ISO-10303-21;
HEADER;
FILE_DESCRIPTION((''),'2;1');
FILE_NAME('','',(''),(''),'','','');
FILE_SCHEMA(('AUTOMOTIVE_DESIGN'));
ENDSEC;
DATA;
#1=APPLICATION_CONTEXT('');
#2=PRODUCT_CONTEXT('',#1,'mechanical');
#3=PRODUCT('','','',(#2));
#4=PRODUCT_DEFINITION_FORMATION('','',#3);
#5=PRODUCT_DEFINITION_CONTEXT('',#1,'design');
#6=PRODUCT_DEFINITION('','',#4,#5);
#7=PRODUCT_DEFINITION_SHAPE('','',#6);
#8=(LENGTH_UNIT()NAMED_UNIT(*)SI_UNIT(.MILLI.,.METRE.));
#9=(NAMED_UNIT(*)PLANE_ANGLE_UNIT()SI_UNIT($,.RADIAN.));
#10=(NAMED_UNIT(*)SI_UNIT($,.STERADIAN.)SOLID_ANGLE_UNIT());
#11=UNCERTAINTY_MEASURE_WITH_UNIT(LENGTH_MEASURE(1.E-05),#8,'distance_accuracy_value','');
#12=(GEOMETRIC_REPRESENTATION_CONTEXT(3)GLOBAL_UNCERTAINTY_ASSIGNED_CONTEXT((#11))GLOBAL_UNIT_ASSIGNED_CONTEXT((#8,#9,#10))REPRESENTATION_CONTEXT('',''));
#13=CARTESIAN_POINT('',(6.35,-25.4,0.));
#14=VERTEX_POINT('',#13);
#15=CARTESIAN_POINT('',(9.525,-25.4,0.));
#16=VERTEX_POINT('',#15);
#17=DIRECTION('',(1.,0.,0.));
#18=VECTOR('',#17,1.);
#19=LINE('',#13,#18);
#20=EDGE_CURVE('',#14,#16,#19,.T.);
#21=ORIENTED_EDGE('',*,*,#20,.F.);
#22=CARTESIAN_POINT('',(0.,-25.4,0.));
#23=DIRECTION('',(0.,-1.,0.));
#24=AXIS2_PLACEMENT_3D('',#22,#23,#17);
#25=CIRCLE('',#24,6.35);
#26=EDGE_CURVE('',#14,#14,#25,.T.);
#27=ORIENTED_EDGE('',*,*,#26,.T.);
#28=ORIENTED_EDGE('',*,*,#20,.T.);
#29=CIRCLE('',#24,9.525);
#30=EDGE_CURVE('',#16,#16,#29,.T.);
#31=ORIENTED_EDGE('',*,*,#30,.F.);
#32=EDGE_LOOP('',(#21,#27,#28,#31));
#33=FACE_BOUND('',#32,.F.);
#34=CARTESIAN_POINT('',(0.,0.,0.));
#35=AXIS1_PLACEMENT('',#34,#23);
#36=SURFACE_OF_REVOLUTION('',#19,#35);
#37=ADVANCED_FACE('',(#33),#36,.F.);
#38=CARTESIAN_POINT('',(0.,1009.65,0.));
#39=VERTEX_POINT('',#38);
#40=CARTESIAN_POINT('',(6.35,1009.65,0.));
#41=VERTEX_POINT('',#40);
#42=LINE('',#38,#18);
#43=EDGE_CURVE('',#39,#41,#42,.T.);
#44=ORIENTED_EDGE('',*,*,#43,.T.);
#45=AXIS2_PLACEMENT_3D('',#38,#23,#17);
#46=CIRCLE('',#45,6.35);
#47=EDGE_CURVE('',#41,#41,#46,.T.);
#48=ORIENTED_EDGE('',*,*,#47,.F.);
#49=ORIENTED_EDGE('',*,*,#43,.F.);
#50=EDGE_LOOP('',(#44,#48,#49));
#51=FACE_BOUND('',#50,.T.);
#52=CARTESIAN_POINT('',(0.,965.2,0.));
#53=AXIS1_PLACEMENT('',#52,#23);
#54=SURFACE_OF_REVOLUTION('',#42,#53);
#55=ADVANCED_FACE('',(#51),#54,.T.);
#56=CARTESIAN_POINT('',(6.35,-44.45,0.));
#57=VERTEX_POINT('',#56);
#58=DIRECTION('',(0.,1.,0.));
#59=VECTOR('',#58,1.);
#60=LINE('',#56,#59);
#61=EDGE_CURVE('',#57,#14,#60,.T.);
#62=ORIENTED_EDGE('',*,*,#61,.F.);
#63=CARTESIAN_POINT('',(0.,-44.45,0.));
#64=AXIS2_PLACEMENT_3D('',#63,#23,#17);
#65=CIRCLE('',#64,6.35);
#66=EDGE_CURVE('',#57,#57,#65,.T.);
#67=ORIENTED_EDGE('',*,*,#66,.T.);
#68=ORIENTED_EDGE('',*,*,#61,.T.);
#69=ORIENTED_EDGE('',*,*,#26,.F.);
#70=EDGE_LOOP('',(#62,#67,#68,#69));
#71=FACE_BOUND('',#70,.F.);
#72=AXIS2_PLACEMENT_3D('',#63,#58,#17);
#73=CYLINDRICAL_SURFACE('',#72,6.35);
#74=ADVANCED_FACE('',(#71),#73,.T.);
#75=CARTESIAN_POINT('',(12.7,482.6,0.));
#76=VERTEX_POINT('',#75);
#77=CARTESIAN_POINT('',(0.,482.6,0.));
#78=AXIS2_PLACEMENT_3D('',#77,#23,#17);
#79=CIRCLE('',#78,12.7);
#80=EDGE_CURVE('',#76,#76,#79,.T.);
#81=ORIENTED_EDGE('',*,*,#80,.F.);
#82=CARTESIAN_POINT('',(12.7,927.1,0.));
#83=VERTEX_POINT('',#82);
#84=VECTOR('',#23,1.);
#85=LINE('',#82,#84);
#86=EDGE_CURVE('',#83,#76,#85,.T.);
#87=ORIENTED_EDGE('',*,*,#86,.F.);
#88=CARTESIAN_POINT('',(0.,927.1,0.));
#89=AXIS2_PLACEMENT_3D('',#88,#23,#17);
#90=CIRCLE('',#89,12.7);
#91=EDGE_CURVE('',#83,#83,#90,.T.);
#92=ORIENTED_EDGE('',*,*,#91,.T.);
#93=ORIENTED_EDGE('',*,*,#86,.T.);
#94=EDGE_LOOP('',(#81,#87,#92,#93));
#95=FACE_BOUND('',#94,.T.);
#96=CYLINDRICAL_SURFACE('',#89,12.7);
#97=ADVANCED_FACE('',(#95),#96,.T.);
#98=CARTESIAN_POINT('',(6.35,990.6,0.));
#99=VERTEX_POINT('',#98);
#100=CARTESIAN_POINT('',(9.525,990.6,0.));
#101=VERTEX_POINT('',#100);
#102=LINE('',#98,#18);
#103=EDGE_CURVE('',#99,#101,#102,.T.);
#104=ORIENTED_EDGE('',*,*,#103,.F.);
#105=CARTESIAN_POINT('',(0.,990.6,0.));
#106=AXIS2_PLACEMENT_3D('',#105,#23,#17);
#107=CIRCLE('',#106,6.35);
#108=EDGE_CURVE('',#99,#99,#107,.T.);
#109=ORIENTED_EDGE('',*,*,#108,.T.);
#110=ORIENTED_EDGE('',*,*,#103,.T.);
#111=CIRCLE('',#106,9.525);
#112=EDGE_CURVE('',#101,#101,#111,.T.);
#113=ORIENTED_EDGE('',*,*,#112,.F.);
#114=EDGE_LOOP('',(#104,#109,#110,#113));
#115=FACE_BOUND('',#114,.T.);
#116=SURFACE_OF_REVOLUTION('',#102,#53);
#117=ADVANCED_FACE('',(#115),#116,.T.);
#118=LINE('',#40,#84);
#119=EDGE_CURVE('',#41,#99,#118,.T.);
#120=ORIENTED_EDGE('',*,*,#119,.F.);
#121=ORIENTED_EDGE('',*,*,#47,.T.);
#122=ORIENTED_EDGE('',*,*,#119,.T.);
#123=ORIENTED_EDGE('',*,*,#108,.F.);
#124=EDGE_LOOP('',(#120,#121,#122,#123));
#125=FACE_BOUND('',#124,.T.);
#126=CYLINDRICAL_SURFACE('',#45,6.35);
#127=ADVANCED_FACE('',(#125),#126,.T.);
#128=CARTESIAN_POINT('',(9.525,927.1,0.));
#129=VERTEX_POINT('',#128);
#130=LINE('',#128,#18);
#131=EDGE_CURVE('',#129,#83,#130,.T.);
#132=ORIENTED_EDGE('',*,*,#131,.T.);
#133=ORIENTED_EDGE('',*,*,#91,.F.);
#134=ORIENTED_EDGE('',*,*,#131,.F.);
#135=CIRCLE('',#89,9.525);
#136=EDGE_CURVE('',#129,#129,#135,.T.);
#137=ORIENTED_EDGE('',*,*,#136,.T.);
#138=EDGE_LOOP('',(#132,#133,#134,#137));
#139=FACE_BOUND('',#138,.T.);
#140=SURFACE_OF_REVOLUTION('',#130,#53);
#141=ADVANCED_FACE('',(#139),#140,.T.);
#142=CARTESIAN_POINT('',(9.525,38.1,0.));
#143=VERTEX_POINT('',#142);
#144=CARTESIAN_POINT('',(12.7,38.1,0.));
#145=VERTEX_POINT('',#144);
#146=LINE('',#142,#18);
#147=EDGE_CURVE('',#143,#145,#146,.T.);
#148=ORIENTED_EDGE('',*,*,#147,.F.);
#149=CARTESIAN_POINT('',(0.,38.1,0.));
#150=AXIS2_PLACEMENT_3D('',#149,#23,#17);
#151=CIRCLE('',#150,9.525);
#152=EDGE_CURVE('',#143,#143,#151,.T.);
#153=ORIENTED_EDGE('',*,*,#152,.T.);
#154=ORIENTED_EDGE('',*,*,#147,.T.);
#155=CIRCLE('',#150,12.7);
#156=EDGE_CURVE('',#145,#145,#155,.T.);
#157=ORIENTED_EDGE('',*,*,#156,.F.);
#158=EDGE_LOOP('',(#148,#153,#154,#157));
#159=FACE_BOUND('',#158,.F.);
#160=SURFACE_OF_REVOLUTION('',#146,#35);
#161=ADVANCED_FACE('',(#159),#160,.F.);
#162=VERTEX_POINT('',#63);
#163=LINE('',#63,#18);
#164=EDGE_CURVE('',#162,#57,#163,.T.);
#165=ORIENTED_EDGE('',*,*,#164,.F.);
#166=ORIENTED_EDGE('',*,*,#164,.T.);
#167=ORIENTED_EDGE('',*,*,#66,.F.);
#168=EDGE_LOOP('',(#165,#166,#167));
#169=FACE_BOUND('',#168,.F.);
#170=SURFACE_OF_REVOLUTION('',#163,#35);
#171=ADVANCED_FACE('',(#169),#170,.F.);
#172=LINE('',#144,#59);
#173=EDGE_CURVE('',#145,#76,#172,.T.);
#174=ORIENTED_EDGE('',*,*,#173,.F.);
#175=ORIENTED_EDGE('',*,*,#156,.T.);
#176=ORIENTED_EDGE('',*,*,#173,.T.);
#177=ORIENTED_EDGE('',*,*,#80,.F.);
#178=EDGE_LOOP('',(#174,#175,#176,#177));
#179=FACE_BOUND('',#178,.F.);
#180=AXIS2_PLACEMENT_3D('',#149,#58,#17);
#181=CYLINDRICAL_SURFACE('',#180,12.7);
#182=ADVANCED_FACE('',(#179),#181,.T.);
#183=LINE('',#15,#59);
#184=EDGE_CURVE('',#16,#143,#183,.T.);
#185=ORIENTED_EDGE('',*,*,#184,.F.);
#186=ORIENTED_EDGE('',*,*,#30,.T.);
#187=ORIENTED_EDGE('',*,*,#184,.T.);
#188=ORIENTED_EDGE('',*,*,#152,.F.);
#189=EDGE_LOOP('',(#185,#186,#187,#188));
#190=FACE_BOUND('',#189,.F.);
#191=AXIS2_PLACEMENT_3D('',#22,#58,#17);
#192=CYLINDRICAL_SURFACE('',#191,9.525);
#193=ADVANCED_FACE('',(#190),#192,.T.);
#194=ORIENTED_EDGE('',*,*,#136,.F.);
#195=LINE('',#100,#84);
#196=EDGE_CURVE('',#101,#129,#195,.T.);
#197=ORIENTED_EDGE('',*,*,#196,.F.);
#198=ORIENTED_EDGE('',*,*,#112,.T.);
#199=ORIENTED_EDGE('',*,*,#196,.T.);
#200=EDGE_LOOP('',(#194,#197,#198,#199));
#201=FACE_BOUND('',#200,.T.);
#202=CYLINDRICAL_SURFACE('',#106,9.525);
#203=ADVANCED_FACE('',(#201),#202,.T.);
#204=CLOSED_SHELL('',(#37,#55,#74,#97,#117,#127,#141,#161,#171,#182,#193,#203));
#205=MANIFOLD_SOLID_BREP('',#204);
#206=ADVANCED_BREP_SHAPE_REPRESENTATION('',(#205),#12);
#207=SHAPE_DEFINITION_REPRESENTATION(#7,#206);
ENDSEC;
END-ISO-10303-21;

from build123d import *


with BuildPart() as f3:
    # F3: sweep along a path in F1
    with BuildLine(Plane.XZ) as f3_path:
        CenterArc((0, 0), 17.204414341, 0, 360)
    # F0 (on Right) → F3 (sweep)
    with BuildSketch(Plane.YZ):
        Polygon((-25.4, -6.35), (-25.4, -9.525), (38.1, -9.525), (38.1, -12.7), (482.6, -12.7), (482.6, 0), (-44.45, 0), (-44.45, -6.35), align=None)
    sweep(path=f3_path.line)

    # F4: F3 across plane


with BuildPart() as f3_1:
    add(f3.part)
    add(f3.part.mirror(Plane(origin=(0, 482.6, 0), x_dir=(-1, 0, 0), z_dir=(0, 1, 0))))


solid = f3_1.part
